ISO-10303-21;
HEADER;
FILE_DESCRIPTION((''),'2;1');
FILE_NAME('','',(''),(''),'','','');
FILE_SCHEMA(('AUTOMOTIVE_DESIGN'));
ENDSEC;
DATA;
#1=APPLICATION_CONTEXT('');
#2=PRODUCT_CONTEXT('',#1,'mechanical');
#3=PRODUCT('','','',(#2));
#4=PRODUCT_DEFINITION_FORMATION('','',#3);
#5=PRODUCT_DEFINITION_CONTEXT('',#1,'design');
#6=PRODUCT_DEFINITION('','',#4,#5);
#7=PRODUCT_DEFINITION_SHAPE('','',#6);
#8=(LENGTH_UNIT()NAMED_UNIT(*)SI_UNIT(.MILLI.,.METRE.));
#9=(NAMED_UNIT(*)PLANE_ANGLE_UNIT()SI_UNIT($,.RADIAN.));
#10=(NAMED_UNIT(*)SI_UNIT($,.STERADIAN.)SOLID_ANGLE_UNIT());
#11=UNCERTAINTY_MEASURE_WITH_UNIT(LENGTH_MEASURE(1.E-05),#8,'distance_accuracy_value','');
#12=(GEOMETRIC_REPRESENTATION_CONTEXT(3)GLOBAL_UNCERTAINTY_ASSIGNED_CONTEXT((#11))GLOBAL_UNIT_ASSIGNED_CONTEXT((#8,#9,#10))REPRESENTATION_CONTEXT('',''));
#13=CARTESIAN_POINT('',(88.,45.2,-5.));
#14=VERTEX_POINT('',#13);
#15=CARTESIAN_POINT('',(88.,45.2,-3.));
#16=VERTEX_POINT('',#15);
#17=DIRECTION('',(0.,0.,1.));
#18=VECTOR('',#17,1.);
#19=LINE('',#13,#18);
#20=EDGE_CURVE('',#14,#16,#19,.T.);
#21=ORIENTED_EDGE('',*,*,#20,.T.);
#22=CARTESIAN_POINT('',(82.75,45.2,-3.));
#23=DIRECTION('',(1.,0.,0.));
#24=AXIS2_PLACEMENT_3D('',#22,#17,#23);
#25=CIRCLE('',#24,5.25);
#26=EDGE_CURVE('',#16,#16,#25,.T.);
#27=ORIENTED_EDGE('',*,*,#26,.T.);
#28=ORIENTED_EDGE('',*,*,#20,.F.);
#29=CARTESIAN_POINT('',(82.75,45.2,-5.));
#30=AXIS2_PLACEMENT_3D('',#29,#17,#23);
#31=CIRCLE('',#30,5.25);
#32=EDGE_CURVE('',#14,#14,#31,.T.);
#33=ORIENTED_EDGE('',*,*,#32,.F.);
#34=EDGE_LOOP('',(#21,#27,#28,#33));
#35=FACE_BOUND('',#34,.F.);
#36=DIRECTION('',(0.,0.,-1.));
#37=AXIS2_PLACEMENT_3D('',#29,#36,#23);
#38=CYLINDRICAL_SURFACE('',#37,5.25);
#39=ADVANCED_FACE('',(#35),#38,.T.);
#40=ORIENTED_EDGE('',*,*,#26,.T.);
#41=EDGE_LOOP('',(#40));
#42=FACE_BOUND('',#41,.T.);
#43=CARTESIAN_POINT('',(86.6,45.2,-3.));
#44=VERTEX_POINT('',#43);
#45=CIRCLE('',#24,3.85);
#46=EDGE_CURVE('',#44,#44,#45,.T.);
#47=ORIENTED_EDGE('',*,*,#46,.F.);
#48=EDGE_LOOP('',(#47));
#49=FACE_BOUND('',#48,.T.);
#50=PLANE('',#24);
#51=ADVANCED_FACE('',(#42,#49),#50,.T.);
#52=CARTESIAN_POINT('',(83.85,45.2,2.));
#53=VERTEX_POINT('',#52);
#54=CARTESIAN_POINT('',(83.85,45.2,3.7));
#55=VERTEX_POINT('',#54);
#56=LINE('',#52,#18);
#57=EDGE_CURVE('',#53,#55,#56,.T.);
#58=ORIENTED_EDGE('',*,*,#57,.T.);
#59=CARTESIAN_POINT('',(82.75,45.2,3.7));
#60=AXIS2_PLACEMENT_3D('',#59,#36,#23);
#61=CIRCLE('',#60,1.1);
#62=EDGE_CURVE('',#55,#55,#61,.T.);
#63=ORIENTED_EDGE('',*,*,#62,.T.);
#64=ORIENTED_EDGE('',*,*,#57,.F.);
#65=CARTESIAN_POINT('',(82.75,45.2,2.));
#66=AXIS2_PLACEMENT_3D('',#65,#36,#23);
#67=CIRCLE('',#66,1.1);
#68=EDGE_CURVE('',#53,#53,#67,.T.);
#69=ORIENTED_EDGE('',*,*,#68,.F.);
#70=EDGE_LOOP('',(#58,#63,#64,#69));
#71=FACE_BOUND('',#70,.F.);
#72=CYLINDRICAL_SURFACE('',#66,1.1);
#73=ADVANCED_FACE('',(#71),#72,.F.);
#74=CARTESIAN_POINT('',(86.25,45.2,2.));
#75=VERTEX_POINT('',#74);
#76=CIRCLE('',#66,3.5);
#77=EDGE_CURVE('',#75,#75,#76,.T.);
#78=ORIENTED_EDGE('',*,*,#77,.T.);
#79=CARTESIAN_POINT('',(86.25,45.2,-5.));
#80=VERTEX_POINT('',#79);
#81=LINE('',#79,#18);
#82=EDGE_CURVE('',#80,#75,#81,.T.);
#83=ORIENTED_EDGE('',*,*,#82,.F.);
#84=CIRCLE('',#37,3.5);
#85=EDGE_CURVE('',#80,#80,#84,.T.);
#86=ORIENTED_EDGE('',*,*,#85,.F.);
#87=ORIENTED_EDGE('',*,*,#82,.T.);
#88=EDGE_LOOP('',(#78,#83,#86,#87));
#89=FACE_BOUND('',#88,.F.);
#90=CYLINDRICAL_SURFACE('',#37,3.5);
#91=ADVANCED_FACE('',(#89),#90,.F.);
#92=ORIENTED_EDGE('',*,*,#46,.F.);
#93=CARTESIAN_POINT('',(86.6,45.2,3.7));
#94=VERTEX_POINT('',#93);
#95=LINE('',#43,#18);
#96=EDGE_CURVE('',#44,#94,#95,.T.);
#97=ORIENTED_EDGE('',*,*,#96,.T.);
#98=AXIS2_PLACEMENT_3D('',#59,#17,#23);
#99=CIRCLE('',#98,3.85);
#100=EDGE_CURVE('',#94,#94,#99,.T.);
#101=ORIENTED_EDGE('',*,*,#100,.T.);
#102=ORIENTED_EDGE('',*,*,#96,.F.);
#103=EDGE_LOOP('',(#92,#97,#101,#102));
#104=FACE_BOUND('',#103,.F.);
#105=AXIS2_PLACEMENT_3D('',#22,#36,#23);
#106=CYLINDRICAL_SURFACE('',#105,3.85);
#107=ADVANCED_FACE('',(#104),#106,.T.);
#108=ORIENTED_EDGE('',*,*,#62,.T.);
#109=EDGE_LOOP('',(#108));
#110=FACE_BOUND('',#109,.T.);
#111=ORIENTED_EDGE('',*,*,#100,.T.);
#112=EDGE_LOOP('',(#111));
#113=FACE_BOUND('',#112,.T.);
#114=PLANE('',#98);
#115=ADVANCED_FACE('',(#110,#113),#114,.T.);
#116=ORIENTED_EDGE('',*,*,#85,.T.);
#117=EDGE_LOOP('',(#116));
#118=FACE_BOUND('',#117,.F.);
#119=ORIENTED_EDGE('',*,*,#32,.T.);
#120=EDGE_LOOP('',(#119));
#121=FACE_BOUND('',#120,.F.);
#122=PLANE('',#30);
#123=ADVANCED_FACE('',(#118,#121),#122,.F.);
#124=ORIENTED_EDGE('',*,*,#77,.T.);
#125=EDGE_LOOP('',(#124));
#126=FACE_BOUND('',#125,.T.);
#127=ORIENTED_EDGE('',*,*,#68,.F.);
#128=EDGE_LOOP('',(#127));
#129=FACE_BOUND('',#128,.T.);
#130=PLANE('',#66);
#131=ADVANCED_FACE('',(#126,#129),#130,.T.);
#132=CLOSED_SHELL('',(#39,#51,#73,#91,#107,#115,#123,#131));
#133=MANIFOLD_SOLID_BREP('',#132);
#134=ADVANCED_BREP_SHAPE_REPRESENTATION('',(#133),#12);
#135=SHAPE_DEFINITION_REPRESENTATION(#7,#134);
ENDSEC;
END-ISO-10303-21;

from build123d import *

# Parameters (mm, degrees)
SKETCH111_R     = 5.25
PAD063_DEPTH    = 2
SKETCH112_R     = 3.85
PAD064_DEPTH    = 6.7
SKETCH113_R     = 3.5
POCKET047_DEPTH = 7
SKETCH114_R     = 1.1
POCKET048_DEPTH = 5


with BuildPart() as part:
    # Sketch111 → Pad063 (new body)
    with BuildSketch(Plane.XY):
        Circle(SKETCH111_R)
    extrude(amount=PAD063_DEPTH)

    # Sketch112 (on Face3 of Pad063) → Pad064 (join)
    with BuildSketch(Plane.XY.offset(2)):
        Circle(SKETCH112_R)
    extrude(amount=PAD064_DEPTH)

    # Sketch113 (on Face2 of Pad064) → Pocket047 (cut)
    with BuildSketch(Plane(origin=(0, 0, 0), x_dir=(1, 0, 0), z_dir=(0, 0, -1))):
        Circle(SKETCH113_R)
    extrude(amount=-POCKET047_DEPTH, mode=Mode.SUBTRACT)

    # Sketch114 (on Face6 of Pocket047) → Pocket048 (cut)
    with BuildSketch(Plane(origin=(0, 0, 7), x_dir=(1, 0, 0), z_dir=(0, 0, -1))):
        Circle(SKETCH114_R)
    extrude(amount=-POCKET048_DEPTH, mode=Mode.SUBTRACT)


with BuildPart() as part_1:
    # Body022 placement: moved
    add(part.part.moved(Location((82.75, 45.2, -5))))


solid = part_1.part
